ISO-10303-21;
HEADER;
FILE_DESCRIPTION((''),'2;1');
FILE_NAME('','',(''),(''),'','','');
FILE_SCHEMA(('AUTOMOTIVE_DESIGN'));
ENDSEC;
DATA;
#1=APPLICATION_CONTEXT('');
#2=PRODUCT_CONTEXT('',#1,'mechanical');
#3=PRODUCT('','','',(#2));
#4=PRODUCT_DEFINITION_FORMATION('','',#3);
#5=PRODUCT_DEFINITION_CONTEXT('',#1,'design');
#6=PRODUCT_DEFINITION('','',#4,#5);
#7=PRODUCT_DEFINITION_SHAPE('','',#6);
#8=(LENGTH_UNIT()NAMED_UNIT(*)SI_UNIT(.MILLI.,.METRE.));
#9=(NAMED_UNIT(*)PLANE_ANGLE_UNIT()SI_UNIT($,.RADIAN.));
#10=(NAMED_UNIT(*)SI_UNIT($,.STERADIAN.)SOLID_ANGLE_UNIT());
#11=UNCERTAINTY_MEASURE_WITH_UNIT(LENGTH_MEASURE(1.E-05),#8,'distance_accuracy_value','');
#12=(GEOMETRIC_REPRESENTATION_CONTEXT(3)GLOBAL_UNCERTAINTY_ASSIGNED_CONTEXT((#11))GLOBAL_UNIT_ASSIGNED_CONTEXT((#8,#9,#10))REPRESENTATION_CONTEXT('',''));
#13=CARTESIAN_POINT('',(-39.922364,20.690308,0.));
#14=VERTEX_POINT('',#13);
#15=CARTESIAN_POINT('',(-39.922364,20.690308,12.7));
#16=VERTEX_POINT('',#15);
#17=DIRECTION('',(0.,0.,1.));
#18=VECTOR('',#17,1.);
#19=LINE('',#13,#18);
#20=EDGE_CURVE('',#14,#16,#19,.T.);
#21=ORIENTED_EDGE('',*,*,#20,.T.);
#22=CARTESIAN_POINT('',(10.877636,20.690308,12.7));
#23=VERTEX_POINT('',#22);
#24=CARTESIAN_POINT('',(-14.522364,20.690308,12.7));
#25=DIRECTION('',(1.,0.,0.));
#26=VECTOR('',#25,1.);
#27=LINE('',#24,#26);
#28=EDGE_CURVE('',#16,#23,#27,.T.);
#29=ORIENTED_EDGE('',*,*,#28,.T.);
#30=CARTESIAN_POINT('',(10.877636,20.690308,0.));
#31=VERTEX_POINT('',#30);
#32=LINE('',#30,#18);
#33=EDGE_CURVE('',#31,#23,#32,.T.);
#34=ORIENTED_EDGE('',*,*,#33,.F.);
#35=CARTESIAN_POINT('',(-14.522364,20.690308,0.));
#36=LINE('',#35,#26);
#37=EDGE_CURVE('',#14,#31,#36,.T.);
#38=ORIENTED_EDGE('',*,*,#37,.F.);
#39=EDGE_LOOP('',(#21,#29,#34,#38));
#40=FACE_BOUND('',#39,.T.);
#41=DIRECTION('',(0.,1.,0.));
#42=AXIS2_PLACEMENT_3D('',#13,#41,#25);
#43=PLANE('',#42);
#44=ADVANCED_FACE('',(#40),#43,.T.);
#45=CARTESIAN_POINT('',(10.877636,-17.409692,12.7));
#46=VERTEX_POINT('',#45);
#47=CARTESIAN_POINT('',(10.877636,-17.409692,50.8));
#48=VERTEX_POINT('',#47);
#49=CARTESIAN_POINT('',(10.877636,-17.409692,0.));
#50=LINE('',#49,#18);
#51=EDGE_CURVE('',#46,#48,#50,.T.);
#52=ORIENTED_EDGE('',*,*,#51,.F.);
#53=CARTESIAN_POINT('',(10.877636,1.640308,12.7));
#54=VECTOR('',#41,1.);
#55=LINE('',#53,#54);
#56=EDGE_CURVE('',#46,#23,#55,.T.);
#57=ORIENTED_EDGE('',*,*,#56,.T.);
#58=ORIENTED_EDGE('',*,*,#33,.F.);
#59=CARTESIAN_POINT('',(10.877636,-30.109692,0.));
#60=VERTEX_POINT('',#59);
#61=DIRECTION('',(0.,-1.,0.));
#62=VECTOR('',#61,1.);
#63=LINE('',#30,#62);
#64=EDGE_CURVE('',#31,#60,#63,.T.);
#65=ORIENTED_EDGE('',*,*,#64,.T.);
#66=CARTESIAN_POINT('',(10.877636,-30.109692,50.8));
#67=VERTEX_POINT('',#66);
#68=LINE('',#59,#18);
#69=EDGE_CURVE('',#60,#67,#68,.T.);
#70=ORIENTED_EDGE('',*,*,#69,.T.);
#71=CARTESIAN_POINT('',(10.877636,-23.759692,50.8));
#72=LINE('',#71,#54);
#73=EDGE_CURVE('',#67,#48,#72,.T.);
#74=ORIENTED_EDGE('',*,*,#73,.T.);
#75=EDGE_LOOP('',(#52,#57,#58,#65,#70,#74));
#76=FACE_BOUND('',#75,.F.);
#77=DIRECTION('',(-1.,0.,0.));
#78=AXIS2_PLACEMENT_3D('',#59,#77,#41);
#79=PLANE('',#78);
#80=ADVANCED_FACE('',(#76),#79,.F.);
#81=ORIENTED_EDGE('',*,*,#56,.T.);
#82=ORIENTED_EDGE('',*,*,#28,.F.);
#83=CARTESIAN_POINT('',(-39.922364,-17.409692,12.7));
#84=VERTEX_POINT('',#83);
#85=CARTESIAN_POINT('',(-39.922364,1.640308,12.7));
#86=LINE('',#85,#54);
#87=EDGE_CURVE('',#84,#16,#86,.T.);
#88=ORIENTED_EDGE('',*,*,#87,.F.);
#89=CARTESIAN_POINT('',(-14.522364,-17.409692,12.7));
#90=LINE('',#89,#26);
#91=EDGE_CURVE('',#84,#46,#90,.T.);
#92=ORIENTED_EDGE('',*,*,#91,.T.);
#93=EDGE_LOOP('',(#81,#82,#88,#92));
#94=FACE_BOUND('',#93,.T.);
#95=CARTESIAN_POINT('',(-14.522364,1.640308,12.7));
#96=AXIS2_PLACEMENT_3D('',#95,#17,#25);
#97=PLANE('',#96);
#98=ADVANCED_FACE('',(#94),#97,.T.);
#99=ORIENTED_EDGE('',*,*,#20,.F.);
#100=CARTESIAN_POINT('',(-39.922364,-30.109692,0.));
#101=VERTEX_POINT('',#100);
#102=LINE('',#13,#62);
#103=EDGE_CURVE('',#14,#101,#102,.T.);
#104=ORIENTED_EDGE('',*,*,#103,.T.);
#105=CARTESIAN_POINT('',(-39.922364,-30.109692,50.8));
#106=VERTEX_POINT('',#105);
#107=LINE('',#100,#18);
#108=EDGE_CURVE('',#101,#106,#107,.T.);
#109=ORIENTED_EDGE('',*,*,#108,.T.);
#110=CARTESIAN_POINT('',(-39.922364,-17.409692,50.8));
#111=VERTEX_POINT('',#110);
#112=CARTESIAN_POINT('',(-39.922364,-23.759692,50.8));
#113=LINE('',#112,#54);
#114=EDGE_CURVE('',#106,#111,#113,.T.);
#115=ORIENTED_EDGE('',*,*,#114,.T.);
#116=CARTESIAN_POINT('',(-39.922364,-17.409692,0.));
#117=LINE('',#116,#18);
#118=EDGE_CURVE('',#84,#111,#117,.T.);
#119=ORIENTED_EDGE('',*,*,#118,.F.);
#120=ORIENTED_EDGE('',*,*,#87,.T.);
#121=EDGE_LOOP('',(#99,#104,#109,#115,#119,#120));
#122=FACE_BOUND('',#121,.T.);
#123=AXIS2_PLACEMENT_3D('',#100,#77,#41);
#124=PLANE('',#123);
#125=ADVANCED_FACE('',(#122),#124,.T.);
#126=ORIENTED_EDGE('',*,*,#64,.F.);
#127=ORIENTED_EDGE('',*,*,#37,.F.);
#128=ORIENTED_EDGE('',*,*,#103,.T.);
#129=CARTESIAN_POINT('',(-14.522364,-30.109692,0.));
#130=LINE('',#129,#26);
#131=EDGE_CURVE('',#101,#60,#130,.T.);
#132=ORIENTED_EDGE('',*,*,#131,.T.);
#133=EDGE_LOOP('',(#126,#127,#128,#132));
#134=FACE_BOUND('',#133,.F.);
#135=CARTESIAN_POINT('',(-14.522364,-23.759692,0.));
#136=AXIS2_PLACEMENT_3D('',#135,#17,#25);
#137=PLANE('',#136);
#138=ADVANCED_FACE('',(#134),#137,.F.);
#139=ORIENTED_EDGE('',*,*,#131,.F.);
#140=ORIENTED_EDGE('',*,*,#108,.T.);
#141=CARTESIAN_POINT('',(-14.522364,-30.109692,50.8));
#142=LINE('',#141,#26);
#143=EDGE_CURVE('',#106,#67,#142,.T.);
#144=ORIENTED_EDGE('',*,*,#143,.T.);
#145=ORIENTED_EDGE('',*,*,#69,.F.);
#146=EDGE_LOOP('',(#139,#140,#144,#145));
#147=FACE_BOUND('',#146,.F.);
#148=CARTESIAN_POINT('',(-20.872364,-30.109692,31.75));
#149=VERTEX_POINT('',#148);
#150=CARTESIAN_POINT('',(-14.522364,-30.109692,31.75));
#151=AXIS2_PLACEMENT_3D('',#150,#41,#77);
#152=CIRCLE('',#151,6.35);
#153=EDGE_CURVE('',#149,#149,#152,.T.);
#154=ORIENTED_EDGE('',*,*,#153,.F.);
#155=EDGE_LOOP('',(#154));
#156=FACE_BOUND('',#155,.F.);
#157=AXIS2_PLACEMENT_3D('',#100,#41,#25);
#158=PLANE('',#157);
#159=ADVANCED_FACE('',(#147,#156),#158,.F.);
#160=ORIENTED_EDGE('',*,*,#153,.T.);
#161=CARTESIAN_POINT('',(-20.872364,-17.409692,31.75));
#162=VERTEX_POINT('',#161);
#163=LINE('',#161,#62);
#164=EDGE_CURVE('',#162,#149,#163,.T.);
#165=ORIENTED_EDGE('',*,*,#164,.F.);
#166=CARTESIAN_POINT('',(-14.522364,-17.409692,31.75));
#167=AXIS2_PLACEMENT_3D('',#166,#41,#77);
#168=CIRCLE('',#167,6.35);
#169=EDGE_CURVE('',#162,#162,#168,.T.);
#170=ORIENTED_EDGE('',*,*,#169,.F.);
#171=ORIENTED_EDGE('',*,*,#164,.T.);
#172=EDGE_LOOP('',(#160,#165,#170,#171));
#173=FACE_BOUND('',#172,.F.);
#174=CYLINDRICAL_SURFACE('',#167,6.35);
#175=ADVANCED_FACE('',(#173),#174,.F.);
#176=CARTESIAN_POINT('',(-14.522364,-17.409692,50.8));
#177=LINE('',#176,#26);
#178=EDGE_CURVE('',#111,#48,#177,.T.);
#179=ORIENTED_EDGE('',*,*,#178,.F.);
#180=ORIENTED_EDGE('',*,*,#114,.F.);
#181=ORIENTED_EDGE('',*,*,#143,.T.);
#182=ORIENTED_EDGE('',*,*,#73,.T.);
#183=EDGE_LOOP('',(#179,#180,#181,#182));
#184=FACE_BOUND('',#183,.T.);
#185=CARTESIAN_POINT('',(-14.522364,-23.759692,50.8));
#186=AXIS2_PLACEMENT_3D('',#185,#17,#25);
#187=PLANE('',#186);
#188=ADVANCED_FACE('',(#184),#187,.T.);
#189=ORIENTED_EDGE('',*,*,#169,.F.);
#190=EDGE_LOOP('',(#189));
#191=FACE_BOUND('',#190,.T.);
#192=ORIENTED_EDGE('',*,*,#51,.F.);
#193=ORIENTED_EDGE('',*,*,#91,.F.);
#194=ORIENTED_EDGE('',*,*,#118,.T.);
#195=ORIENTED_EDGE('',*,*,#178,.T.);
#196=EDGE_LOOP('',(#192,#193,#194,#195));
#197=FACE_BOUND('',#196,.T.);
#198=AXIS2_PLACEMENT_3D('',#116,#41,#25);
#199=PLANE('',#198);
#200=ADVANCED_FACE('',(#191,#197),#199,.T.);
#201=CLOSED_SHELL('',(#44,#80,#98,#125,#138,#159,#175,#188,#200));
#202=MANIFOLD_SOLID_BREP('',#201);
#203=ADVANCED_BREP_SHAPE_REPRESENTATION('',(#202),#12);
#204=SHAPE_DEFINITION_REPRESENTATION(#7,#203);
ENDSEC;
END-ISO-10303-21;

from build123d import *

# Parameters (mm, degrees)
F0_W     = 50.8
F0_H     = 38.1
F1_DEPTH = 12.7
F0_H_2   = 12.7
F2_DEPTH = 50.8
F3_R     = 6.35
F4_DEPTH = 25.4


with BuildPart() as f1:
    # F0 (on Top) → F1 (new body)
    with BuildSketch(Plane.XY):
        with Locations((-14.522364, 1.640308)):
            Rectangle(F0_W, F0_H)
    extrude(amount=F1_DEPTH)

    # F0 (on Top) → F2 (join)
    with BuildSketch(Plane.XY):
        with Locations((-14.522364, -23.759692)):
            Rectangle(F0_W, F0_H_2)
    extrude(amount=F2_DEPTH)

    # F3 (on face) → F4 (cut)
    with BuildSketch(Plane(origin=(0, -17.409692, 0), x_dir=(-1, 0, 0), z_dir=(0, 1, 0))):
        with Locations((14.522364, 31.75)):
            Circle(F3_R)
    extrude(amount=-F4_DEPTH, mode=Mode.SUBTRACT)


solid = f1.part
